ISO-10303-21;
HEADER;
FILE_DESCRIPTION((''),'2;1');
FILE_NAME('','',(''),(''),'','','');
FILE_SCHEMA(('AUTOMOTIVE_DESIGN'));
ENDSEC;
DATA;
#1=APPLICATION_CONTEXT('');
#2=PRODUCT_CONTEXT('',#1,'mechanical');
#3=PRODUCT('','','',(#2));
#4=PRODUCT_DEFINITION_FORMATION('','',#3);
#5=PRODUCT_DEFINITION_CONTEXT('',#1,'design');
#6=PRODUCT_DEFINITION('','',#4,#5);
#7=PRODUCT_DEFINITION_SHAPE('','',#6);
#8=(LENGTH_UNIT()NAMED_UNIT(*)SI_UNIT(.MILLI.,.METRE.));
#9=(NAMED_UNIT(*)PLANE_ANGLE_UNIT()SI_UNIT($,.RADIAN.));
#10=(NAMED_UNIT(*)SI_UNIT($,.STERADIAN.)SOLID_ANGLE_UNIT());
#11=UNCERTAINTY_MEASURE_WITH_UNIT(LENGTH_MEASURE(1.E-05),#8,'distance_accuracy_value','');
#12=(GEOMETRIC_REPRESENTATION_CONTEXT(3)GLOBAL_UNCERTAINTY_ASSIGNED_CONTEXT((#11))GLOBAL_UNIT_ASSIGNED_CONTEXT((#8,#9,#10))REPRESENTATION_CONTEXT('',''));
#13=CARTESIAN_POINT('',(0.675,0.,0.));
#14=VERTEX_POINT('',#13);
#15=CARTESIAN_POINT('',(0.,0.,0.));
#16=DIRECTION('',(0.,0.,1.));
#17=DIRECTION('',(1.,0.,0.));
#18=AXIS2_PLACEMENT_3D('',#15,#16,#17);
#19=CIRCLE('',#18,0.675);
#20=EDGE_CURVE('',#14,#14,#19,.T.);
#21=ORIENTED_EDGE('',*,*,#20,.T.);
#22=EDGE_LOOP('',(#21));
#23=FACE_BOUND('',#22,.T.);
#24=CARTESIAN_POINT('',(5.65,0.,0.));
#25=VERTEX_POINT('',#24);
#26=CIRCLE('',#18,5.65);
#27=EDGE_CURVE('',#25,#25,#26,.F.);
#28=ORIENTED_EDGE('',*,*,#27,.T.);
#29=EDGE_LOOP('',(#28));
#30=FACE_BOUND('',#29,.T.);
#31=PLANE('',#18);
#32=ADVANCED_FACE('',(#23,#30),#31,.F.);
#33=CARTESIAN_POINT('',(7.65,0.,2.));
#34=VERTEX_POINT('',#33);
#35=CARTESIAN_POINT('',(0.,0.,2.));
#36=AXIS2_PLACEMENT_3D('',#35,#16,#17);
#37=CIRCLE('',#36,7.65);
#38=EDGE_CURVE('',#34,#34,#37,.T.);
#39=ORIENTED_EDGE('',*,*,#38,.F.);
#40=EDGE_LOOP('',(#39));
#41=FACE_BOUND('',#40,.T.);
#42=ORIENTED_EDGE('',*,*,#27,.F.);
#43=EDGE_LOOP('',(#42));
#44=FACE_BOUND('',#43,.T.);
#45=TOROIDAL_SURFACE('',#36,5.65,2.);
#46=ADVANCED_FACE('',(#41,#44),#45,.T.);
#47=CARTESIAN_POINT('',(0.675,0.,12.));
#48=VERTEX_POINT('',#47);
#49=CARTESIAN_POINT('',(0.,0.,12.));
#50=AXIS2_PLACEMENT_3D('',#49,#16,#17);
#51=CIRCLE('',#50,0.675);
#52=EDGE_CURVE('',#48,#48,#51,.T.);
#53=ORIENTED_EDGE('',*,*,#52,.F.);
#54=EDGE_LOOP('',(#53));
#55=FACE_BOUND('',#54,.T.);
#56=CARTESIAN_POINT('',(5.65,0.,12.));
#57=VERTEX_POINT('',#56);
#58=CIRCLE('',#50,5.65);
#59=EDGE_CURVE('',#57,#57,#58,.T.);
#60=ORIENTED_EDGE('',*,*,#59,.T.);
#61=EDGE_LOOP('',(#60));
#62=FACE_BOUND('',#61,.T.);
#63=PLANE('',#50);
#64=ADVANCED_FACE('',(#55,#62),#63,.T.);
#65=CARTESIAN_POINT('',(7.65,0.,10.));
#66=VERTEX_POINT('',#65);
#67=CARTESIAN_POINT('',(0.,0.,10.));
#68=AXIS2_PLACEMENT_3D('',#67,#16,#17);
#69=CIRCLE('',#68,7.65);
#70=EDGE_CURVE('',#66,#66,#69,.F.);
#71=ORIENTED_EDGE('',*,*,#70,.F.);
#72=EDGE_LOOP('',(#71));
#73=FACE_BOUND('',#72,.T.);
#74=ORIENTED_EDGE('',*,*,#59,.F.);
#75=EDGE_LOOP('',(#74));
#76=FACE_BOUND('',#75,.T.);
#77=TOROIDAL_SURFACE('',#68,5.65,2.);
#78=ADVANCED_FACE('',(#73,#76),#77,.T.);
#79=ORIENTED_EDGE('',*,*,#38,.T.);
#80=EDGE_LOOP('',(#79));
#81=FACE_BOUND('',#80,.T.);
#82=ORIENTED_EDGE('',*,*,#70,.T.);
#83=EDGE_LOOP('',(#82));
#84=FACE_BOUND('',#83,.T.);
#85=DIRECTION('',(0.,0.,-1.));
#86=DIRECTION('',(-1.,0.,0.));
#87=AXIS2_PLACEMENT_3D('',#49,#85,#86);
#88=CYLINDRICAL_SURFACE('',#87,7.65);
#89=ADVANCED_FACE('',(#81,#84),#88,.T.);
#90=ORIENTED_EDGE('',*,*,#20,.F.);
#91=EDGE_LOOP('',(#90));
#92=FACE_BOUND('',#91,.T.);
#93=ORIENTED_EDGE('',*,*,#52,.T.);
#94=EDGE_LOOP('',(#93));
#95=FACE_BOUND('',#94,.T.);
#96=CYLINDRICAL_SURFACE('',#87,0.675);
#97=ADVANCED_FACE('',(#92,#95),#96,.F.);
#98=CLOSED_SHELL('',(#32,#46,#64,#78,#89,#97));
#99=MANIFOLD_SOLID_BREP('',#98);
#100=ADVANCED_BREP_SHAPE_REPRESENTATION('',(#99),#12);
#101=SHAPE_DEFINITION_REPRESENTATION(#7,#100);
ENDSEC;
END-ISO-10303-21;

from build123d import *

# Parameters (mm, degrees)
SKETCH1_R           = 7.65
SKETCH1_R_2         = 0.675
BOSS_EXTRUDE1_DEPTH = 12
FILLET1_R           = 2


with BuildPart() as part:
    # Sketch1 → Boss-Extrude1 (new body)
    with BuildSketch(Plane.XY):
        Circle(SKETCH1_R)
        Circle(SKETCH1_R_2, mode=Mode.SUBTRACT)
    extrude(amount=BOSS_EXTRUDE1_DEPTH)

    # Fillet1
    fillet1_edges = [part.edges().sort_by_distance(p)[0] for p in [
        (-7.65, 0, 0),
        (-7.65, 0, 12),
    ]]
    fillet(fillet1_edges, radius=FILLET1_R)


solid = part.part
